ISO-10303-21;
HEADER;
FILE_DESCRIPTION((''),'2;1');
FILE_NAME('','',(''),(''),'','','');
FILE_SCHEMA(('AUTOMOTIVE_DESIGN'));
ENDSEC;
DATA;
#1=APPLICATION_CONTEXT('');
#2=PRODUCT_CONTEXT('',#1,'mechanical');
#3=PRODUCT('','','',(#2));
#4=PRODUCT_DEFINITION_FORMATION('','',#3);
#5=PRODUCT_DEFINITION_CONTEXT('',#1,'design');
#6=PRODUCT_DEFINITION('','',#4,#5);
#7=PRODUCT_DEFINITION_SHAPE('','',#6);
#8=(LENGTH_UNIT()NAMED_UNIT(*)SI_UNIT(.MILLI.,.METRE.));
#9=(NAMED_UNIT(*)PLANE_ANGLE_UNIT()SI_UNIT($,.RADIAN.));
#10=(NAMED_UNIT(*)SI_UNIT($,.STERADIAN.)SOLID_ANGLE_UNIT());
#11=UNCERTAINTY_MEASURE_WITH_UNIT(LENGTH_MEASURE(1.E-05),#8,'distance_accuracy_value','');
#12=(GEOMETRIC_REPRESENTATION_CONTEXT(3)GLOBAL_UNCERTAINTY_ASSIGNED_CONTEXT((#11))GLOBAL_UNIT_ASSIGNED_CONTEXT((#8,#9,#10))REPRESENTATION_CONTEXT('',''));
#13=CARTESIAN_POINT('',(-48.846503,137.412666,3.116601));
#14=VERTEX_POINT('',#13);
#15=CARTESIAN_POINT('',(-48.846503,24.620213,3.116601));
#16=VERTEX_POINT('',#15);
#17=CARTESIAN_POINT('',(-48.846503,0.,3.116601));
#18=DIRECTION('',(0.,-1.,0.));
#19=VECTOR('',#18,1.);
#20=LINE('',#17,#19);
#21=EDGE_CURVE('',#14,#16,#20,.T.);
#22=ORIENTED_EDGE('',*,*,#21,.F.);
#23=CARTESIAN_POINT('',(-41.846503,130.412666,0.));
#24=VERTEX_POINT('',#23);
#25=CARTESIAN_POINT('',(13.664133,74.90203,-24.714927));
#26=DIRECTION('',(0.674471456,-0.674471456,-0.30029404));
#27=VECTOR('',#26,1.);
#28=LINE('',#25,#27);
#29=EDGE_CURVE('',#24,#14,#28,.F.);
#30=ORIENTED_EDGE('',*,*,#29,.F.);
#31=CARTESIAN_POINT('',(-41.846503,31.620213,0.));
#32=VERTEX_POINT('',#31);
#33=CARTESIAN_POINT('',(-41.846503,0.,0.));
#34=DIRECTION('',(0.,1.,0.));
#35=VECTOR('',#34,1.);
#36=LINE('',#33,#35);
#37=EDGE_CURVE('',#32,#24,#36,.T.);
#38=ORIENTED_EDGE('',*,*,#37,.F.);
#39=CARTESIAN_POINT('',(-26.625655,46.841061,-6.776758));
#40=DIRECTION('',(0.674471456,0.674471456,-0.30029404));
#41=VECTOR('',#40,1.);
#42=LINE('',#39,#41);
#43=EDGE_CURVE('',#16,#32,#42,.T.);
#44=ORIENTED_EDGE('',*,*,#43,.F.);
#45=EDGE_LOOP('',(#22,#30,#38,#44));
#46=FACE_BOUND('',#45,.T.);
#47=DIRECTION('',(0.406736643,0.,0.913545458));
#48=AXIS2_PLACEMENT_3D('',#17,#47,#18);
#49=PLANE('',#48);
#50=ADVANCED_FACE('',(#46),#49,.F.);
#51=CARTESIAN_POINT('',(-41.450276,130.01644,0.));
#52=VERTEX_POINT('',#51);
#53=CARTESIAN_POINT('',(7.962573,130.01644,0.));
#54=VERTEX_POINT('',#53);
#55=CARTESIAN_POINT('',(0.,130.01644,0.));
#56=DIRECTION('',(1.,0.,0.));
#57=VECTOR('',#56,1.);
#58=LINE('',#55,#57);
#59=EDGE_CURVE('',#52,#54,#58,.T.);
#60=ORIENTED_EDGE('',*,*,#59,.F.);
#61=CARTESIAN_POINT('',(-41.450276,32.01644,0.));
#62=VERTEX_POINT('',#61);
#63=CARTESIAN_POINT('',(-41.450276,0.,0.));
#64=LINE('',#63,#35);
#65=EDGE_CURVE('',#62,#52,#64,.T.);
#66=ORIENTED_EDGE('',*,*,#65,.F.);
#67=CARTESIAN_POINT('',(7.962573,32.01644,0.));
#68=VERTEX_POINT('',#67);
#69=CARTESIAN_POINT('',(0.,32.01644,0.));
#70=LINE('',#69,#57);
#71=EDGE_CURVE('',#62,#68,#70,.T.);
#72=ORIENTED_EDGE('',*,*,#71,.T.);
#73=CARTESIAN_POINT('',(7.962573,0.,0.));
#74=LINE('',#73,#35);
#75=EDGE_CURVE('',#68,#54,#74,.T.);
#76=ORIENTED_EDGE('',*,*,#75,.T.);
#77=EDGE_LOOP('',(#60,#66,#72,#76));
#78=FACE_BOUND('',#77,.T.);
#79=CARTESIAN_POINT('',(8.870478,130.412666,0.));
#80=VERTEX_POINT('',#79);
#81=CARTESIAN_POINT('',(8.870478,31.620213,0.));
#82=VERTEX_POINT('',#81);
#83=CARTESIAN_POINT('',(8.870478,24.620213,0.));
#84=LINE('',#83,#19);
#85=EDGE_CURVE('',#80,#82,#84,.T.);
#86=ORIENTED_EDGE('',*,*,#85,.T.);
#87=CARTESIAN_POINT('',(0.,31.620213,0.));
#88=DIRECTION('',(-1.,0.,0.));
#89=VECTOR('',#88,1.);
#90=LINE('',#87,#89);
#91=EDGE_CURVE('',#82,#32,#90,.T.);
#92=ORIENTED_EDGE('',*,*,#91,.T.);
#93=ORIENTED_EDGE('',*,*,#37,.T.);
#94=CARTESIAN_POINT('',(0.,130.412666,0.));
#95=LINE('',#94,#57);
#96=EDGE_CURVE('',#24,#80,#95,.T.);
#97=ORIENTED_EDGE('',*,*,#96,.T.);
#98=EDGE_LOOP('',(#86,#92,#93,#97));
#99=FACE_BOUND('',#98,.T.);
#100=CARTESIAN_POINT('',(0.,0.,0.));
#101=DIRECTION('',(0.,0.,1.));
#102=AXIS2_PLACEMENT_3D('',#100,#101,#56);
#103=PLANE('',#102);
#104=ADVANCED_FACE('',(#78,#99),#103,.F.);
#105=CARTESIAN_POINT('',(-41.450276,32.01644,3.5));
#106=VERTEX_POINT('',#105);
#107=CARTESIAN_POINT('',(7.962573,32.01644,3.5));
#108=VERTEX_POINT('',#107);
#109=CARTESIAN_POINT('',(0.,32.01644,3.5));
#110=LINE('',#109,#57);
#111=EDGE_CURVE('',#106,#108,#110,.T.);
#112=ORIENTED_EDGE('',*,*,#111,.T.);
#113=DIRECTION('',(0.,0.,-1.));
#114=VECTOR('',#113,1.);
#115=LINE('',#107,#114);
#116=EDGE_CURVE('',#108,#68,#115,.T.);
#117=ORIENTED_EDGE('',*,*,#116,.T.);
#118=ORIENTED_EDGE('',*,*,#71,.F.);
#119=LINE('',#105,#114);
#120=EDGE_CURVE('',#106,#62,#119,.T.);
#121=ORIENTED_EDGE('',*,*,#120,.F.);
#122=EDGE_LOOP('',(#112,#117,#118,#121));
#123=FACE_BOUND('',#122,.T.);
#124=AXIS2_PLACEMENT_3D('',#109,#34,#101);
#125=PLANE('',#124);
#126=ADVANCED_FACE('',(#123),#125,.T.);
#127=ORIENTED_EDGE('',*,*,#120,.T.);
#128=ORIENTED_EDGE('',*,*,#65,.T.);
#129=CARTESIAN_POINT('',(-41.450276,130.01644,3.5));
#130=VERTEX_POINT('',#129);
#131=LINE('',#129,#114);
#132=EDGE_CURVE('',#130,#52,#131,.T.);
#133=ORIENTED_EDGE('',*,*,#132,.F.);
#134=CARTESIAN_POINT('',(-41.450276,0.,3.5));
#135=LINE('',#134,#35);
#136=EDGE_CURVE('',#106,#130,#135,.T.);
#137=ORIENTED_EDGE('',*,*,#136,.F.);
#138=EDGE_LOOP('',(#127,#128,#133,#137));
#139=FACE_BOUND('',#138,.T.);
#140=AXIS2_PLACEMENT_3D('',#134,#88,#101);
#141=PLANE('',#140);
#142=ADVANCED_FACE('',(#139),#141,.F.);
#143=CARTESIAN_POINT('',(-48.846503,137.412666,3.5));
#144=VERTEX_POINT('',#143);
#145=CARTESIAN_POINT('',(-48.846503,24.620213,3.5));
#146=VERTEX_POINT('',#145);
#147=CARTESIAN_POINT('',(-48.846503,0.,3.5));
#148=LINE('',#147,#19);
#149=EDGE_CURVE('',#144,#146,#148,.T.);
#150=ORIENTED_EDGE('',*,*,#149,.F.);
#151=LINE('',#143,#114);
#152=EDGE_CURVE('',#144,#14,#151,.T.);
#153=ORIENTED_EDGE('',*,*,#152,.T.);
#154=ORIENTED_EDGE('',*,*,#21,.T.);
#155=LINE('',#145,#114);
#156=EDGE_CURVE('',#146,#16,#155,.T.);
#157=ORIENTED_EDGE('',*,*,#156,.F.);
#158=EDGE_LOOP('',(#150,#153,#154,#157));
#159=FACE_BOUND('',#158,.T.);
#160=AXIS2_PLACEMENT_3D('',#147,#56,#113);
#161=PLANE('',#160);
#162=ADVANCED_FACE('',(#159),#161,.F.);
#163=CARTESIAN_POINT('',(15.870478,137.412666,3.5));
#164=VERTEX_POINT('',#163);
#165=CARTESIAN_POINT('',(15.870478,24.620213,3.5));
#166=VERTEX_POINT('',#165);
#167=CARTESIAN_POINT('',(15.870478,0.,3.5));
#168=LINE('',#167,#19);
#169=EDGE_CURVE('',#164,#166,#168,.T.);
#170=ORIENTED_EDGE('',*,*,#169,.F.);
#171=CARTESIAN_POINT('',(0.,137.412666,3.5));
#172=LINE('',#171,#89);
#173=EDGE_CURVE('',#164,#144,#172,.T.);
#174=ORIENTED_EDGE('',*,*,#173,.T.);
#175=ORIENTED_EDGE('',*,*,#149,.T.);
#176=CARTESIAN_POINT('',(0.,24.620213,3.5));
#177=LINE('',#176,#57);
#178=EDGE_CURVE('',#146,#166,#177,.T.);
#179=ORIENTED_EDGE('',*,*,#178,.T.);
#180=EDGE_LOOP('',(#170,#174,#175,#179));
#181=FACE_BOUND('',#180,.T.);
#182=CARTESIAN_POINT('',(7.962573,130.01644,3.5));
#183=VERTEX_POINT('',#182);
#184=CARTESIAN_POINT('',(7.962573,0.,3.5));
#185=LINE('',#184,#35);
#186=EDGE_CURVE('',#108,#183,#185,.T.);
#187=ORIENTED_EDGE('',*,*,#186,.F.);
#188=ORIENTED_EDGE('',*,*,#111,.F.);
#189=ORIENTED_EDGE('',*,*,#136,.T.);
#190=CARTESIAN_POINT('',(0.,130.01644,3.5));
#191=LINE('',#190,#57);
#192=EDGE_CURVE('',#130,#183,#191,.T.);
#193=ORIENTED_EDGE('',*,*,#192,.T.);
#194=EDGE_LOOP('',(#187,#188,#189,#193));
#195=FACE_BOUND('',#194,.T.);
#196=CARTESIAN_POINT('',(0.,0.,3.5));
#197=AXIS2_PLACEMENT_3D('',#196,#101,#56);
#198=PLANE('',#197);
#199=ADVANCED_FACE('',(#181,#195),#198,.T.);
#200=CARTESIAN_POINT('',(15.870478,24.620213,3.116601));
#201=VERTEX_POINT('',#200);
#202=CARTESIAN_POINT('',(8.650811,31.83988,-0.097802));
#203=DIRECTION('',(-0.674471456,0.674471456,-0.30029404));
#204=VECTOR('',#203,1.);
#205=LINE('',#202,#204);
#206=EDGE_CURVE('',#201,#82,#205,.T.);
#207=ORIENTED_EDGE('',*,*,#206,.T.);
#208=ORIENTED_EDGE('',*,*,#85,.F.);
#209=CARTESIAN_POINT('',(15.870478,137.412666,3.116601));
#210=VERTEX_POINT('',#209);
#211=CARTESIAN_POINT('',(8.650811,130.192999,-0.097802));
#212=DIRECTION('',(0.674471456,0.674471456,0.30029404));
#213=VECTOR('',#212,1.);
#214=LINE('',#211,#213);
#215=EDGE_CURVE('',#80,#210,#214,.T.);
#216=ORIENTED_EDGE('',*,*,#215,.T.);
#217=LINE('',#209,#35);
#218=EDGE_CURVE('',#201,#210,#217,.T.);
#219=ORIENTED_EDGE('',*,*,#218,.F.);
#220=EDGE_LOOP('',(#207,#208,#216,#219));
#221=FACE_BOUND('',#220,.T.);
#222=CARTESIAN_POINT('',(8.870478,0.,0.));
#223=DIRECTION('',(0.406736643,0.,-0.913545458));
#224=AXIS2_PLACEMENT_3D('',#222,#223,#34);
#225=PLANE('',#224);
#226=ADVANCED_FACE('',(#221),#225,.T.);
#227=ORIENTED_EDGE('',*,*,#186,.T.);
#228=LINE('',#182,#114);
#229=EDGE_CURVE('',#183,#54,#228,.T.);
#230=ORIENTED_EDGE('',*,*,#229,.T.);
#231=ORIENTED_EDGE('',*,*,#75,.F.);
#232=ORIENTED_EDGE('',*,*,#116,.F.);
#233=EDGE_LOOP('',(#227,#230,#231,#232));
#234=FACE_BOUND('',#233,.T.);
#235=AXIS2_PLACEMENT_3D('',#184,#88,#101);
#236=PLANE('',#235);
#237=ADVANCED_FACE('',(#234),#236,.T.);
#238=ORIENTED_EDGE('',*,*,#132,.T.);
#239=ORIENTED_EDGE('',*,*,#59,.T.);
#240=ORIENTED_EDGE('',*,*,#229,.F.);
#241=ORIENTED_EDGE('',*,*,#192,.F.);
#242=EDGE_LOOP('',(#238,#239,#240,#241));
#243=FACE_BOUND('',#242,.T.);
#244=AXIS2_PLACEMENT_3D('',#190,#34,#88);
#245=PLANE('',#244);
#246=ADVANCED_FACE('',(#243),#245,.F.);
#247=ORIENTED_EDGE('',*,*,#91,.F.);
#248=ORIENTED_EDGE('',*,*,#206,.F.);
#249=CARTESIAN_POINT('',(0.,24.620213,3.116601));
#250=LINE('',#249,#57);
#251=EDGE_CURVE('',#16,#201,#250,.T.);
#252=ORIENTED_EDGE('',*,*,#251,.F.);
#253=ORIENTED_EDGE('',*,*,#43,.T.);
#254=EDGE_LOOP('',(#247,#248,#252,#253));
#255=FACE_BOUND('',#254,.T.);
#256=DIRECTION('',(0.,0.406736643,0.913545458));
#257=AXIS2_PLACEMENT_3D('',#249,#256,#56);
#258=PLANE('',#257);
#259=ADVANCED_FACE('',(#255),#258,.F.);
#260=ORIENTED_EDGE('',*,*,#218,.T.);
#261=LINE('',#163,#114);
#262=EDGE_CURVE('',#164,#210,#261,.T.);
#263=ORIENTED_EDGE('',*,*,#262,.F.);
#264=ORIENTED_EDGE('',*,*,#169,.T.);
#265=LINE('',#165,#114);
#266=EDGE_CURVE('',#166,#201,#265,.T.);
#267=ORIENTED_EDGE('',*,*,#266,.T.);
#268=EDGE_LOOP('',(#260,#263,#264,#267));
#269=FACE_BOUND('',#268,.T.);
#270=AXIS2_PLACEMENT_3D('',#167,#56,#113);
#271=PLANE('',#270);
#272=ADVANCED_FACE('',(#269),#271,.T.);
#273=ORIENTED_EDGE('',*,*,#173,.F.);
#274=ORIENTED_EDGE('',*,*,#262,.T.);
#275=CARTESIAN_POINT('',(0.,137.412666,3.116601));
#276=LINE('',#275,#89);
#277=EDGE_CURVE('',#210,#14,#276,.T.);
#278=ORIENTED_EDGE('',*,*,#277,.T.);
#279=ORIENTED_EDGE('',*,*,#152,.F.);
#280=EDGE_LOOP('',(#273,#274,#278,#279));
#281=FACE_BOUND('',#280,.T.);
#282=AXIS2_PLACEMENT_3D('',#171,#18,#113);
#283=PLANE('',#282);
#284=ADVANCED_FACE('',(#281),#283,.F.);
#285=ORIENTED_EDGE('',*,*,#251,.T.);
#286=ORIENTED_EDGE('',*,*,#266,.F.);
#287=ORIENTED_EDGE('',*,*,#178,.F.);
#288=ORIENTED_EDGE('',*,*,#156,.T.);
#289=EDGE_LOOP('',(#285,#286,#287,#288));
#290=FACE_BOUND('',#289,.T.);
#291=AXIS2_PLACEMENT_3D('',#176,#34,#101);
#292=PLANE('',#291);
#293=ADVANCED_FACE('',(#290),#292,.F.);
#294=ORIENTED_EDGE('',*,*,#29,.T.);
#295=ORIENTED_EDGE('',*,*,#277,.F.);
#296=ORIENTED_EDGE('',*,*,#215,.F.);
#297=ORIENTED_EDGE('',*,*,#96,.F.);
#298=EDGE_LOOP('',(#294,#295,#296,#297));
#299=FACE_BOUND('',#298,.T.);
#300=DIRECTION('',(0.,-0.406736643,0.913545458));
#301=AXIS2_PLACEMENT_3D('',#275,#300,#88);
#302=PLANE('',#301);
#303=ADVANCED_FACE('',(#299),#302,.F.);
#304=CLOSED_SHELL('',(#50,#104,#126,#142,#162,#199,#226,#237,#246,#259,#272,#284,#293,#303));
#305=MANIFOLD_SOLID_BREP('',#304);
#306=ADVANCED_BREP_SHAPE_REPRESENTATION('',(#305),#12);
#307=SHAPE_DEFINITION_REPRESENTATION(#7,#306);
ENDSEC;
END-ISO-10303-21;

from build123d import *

# Parameters (mm, degrees)
BOSS_EXTRUDE1_DEPTH = 3.5
CHAMFER1_SIZE       = 7
CHAMFER1_SIZE2      = 3.116600797


with BuildPart() as part:
    # Sketch1 → Boss-Extrude1 (new body)
    with BuildSketch(Plane.XY):
        Polygon((7.962573201, 32.016439516), (15.870478339, 24.620213101), (-48.846502793, 24.620213101), (-41.450276378, 32.016439516), align=None)
        Polygon((-48.846502793, 137.412665932), (-41.450276378, 130.016439516), (-41.450276378, 32.016439516), (-48.846502793, 24.620213101), align=None)
        Polygon((15.870478339, 137.412665932), (-48.846502793, 137.412665932), (-41.450276378, 130.016439516), (7.962573201, 130.016439516), align=None)
        Polygon((15.870478339, 137.412665932), (15.870478339, 24.620213101), (7.962573201, 32.016439516), (7.962573201, 130.016439516), align=None)
    extrude(amount=BOSS_EXTRUDE1_DEPTH)

    # Chamfer1
    chamfer1_edges = [part.edges().sort_by_distance(p)[0] for p in [
        (-48.846502793, 81.016439516, 0),
        (-16.488012227, 137.412665932, 0),
        (15.870478339, 81.016439516, 0),
        (-16.488012227, 24.620213101, 0),
    ]]
    chamfer1_side = [part.faces().sort_by_distance(p)[0] for p in [
        (-16.488012227, 25.920614003, 0),
    ]]
    chamfer(chamfer1_edges, length=CHAMFER1_SIZE, length2=CHAMFER1_SIZE2, reference=chamfer1_side[0])


solid = part.part
